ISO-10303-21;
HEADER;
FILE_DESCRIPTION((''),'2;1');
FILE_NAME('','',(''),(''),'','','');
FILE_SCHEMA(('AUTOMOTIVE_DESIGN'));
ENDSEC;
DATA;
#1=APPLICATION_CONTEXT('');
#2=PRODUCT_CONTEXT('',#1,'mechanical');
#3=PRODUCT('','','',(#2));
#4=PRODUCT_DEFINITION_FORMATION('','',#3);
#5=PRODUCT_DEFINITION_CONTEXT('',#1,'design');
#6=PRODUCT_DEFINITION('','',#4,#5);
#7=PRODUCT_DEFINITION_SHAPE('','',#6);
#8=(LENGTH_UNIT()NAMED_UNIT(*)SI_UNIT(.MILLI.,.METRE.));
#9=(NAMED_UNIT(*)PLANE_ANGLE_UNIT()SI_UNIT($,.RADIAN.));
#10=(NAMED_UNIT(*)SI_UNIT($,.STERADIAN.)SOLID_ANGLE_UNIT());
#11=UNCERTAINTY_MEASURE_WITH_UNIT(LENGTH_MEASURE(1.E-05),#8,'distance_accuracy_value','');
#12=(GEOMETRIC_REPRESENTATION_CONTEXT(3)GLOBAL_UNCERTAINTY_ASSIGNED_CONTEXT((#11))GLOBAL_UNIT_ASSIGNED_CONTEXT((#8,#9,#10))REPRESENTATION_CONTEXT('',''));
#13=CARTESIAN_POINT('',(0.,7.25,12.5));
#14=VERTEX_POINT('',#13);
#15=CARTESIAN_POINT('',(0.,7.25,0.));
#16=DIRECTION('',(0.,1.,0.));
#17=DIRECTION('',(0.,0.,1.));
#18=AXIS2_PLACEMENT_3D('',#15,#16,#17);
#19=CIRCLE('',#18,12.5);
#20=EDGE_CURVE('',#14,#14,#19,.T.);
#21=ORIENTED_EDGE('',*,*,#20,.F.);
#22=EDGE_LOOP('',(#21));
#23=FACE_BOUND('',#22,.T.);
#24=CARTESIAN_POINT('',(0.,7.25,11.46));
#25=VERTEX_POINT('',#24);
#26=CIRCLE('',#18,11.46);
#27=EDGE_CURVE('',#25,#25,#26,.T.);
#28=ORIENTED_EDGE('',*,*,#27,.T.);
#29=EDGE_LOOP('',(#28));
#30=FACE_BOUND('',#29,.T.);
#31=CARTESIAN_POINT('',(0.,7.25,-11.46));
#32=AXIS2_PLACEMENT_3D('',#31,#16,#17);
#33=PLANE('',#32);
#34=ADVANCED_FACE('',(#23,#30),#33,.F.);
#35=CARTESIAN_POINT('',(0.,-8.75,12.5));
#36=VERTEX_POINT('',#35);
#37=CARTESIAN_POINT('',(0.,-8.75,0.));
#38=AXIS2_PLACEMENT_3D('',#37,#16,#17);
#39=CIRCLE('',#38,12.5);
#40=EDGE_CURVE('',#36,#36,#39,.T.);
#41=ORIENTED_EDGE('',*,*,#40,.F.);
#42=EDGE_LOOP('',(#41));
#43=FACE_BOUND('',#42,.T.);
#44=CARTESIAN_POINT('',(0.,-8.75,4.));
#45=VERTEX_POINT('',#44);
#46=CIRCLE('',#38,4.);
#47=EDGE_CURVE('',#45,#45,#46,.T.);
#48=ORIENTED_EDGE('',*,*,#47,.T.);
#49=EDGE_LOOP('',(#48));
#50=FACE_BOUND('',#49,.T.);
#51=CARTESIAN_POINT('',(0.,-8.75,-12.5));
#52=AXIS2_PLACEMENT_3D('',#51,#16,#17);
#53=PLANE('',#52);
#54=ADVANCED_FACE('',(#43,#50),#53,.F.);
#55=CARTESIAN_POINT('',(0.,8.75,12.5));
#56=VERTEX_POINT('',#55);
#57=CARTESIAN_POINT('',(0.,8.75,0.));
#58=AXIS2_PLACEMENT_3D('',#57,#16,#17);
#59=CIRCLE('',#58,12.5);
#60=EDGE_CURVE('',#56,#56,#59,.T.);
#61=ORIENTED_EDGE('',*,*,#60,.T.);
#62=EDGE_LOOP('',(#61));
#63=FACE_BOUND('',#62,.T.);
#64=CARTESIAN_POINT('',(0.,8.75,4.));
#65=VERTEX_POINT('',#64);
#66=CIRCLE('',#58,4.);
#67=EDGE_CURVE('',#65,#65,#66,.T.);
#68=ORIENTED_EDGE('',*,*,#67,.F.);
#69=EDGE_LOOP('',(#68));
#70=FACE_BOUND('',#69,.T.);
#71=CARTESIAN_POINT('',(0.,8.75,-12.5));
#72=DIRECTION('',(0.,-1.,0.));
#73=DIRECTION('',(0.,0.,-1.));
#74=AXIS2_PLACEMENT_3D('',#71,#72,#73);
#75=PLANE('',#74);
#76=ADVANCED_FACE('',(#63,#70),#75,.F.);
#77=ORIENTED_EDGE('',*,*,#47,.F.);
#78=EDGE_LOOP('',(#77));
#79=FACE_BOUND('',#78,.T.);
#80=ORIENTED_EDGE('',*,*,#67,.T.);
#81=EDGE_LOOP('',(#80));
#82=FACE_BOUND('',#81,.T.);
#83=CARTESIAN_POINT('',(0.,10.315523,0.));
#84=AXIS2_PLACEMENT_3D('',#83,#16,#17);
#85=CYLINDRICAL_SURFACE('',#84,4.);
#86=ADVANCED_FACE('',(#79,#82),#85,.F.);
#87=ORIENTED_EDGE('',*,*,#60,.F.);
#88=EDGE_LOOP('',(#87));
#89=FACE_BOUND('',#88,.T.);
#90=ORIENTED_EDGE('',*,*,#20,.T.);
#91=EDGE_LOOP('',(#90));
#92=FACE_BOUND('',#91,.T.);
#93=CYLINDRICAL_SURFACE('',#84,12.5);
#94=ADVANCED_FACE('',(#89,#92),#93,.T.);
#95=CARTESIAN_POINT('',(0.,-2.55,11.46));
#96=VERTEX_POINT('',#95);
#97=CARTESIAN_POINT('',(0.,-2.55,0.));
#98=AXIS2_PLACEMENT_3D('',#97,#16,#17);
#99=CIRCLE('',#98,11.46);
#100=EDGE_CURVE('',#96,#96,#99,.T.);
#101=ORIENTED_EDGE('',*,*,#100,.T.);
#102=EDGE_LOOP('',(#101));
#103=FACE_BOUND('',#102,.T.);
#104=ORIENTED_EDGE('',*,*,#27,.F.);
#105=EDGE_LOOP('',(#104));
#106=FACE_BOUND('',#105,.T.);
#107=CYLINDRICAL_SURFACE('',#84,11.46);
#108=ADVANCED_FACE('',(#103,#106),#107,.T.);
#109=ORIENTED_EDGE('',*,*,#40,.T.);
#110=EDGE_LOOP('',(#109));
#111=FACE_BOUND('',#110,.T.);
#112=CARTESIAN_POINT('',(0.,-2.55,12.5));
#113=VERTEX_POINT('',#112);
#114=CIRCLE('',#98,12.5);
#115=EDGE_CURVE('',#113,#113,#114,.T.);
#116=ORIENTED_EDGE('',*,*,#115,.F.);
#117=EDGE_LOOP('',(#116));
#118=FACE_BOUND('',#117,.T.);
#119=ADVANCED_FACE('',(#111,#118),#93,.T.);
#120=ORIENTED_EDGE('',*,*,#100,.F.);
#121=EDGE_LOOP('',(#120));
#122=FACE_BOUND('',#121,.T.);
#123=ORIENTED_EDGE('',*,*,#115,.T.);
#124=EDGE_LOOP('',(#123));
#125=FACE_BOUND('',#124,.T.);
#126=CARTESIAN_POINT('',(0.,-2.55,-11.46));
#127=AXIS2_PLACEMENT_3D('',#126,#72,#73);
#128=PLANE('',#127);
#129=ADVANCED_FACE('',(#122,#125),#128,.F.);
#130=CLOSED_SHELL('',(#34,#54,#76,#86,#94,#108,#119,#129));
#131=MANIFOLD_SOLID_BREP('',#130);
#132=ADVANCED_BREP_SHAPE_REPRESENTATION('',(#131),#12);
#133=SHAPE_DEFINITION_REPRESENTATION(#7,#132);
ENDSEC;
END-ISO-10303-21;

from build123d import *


with BuildPart() as part:
    # Sketch1 → Revolve1 (revolve)
    with BuildSketch(Plane(origin=(0, 0, 0), x_dir=(0, 0, -1), z_dir=(1, 0, 0)), mode=Mode.PRIVATE) as revolve1_sk:
        Polygon((12.5, 7.25), (12.5, 8.75), (4, 8.75), (4, -8.75), (12.5, -8.75), (12.5, -2.55), (11.46, -2.55), (11.46, 7.25), align=None)
    revolve(revolve1_sk.sketch.rotate(Axis((0, 10.31552251, 0), (0, -1, 0)), 180), axis=Axis((0, 10.31552251, 0), (0, -1, 0)))


solid = part.part
